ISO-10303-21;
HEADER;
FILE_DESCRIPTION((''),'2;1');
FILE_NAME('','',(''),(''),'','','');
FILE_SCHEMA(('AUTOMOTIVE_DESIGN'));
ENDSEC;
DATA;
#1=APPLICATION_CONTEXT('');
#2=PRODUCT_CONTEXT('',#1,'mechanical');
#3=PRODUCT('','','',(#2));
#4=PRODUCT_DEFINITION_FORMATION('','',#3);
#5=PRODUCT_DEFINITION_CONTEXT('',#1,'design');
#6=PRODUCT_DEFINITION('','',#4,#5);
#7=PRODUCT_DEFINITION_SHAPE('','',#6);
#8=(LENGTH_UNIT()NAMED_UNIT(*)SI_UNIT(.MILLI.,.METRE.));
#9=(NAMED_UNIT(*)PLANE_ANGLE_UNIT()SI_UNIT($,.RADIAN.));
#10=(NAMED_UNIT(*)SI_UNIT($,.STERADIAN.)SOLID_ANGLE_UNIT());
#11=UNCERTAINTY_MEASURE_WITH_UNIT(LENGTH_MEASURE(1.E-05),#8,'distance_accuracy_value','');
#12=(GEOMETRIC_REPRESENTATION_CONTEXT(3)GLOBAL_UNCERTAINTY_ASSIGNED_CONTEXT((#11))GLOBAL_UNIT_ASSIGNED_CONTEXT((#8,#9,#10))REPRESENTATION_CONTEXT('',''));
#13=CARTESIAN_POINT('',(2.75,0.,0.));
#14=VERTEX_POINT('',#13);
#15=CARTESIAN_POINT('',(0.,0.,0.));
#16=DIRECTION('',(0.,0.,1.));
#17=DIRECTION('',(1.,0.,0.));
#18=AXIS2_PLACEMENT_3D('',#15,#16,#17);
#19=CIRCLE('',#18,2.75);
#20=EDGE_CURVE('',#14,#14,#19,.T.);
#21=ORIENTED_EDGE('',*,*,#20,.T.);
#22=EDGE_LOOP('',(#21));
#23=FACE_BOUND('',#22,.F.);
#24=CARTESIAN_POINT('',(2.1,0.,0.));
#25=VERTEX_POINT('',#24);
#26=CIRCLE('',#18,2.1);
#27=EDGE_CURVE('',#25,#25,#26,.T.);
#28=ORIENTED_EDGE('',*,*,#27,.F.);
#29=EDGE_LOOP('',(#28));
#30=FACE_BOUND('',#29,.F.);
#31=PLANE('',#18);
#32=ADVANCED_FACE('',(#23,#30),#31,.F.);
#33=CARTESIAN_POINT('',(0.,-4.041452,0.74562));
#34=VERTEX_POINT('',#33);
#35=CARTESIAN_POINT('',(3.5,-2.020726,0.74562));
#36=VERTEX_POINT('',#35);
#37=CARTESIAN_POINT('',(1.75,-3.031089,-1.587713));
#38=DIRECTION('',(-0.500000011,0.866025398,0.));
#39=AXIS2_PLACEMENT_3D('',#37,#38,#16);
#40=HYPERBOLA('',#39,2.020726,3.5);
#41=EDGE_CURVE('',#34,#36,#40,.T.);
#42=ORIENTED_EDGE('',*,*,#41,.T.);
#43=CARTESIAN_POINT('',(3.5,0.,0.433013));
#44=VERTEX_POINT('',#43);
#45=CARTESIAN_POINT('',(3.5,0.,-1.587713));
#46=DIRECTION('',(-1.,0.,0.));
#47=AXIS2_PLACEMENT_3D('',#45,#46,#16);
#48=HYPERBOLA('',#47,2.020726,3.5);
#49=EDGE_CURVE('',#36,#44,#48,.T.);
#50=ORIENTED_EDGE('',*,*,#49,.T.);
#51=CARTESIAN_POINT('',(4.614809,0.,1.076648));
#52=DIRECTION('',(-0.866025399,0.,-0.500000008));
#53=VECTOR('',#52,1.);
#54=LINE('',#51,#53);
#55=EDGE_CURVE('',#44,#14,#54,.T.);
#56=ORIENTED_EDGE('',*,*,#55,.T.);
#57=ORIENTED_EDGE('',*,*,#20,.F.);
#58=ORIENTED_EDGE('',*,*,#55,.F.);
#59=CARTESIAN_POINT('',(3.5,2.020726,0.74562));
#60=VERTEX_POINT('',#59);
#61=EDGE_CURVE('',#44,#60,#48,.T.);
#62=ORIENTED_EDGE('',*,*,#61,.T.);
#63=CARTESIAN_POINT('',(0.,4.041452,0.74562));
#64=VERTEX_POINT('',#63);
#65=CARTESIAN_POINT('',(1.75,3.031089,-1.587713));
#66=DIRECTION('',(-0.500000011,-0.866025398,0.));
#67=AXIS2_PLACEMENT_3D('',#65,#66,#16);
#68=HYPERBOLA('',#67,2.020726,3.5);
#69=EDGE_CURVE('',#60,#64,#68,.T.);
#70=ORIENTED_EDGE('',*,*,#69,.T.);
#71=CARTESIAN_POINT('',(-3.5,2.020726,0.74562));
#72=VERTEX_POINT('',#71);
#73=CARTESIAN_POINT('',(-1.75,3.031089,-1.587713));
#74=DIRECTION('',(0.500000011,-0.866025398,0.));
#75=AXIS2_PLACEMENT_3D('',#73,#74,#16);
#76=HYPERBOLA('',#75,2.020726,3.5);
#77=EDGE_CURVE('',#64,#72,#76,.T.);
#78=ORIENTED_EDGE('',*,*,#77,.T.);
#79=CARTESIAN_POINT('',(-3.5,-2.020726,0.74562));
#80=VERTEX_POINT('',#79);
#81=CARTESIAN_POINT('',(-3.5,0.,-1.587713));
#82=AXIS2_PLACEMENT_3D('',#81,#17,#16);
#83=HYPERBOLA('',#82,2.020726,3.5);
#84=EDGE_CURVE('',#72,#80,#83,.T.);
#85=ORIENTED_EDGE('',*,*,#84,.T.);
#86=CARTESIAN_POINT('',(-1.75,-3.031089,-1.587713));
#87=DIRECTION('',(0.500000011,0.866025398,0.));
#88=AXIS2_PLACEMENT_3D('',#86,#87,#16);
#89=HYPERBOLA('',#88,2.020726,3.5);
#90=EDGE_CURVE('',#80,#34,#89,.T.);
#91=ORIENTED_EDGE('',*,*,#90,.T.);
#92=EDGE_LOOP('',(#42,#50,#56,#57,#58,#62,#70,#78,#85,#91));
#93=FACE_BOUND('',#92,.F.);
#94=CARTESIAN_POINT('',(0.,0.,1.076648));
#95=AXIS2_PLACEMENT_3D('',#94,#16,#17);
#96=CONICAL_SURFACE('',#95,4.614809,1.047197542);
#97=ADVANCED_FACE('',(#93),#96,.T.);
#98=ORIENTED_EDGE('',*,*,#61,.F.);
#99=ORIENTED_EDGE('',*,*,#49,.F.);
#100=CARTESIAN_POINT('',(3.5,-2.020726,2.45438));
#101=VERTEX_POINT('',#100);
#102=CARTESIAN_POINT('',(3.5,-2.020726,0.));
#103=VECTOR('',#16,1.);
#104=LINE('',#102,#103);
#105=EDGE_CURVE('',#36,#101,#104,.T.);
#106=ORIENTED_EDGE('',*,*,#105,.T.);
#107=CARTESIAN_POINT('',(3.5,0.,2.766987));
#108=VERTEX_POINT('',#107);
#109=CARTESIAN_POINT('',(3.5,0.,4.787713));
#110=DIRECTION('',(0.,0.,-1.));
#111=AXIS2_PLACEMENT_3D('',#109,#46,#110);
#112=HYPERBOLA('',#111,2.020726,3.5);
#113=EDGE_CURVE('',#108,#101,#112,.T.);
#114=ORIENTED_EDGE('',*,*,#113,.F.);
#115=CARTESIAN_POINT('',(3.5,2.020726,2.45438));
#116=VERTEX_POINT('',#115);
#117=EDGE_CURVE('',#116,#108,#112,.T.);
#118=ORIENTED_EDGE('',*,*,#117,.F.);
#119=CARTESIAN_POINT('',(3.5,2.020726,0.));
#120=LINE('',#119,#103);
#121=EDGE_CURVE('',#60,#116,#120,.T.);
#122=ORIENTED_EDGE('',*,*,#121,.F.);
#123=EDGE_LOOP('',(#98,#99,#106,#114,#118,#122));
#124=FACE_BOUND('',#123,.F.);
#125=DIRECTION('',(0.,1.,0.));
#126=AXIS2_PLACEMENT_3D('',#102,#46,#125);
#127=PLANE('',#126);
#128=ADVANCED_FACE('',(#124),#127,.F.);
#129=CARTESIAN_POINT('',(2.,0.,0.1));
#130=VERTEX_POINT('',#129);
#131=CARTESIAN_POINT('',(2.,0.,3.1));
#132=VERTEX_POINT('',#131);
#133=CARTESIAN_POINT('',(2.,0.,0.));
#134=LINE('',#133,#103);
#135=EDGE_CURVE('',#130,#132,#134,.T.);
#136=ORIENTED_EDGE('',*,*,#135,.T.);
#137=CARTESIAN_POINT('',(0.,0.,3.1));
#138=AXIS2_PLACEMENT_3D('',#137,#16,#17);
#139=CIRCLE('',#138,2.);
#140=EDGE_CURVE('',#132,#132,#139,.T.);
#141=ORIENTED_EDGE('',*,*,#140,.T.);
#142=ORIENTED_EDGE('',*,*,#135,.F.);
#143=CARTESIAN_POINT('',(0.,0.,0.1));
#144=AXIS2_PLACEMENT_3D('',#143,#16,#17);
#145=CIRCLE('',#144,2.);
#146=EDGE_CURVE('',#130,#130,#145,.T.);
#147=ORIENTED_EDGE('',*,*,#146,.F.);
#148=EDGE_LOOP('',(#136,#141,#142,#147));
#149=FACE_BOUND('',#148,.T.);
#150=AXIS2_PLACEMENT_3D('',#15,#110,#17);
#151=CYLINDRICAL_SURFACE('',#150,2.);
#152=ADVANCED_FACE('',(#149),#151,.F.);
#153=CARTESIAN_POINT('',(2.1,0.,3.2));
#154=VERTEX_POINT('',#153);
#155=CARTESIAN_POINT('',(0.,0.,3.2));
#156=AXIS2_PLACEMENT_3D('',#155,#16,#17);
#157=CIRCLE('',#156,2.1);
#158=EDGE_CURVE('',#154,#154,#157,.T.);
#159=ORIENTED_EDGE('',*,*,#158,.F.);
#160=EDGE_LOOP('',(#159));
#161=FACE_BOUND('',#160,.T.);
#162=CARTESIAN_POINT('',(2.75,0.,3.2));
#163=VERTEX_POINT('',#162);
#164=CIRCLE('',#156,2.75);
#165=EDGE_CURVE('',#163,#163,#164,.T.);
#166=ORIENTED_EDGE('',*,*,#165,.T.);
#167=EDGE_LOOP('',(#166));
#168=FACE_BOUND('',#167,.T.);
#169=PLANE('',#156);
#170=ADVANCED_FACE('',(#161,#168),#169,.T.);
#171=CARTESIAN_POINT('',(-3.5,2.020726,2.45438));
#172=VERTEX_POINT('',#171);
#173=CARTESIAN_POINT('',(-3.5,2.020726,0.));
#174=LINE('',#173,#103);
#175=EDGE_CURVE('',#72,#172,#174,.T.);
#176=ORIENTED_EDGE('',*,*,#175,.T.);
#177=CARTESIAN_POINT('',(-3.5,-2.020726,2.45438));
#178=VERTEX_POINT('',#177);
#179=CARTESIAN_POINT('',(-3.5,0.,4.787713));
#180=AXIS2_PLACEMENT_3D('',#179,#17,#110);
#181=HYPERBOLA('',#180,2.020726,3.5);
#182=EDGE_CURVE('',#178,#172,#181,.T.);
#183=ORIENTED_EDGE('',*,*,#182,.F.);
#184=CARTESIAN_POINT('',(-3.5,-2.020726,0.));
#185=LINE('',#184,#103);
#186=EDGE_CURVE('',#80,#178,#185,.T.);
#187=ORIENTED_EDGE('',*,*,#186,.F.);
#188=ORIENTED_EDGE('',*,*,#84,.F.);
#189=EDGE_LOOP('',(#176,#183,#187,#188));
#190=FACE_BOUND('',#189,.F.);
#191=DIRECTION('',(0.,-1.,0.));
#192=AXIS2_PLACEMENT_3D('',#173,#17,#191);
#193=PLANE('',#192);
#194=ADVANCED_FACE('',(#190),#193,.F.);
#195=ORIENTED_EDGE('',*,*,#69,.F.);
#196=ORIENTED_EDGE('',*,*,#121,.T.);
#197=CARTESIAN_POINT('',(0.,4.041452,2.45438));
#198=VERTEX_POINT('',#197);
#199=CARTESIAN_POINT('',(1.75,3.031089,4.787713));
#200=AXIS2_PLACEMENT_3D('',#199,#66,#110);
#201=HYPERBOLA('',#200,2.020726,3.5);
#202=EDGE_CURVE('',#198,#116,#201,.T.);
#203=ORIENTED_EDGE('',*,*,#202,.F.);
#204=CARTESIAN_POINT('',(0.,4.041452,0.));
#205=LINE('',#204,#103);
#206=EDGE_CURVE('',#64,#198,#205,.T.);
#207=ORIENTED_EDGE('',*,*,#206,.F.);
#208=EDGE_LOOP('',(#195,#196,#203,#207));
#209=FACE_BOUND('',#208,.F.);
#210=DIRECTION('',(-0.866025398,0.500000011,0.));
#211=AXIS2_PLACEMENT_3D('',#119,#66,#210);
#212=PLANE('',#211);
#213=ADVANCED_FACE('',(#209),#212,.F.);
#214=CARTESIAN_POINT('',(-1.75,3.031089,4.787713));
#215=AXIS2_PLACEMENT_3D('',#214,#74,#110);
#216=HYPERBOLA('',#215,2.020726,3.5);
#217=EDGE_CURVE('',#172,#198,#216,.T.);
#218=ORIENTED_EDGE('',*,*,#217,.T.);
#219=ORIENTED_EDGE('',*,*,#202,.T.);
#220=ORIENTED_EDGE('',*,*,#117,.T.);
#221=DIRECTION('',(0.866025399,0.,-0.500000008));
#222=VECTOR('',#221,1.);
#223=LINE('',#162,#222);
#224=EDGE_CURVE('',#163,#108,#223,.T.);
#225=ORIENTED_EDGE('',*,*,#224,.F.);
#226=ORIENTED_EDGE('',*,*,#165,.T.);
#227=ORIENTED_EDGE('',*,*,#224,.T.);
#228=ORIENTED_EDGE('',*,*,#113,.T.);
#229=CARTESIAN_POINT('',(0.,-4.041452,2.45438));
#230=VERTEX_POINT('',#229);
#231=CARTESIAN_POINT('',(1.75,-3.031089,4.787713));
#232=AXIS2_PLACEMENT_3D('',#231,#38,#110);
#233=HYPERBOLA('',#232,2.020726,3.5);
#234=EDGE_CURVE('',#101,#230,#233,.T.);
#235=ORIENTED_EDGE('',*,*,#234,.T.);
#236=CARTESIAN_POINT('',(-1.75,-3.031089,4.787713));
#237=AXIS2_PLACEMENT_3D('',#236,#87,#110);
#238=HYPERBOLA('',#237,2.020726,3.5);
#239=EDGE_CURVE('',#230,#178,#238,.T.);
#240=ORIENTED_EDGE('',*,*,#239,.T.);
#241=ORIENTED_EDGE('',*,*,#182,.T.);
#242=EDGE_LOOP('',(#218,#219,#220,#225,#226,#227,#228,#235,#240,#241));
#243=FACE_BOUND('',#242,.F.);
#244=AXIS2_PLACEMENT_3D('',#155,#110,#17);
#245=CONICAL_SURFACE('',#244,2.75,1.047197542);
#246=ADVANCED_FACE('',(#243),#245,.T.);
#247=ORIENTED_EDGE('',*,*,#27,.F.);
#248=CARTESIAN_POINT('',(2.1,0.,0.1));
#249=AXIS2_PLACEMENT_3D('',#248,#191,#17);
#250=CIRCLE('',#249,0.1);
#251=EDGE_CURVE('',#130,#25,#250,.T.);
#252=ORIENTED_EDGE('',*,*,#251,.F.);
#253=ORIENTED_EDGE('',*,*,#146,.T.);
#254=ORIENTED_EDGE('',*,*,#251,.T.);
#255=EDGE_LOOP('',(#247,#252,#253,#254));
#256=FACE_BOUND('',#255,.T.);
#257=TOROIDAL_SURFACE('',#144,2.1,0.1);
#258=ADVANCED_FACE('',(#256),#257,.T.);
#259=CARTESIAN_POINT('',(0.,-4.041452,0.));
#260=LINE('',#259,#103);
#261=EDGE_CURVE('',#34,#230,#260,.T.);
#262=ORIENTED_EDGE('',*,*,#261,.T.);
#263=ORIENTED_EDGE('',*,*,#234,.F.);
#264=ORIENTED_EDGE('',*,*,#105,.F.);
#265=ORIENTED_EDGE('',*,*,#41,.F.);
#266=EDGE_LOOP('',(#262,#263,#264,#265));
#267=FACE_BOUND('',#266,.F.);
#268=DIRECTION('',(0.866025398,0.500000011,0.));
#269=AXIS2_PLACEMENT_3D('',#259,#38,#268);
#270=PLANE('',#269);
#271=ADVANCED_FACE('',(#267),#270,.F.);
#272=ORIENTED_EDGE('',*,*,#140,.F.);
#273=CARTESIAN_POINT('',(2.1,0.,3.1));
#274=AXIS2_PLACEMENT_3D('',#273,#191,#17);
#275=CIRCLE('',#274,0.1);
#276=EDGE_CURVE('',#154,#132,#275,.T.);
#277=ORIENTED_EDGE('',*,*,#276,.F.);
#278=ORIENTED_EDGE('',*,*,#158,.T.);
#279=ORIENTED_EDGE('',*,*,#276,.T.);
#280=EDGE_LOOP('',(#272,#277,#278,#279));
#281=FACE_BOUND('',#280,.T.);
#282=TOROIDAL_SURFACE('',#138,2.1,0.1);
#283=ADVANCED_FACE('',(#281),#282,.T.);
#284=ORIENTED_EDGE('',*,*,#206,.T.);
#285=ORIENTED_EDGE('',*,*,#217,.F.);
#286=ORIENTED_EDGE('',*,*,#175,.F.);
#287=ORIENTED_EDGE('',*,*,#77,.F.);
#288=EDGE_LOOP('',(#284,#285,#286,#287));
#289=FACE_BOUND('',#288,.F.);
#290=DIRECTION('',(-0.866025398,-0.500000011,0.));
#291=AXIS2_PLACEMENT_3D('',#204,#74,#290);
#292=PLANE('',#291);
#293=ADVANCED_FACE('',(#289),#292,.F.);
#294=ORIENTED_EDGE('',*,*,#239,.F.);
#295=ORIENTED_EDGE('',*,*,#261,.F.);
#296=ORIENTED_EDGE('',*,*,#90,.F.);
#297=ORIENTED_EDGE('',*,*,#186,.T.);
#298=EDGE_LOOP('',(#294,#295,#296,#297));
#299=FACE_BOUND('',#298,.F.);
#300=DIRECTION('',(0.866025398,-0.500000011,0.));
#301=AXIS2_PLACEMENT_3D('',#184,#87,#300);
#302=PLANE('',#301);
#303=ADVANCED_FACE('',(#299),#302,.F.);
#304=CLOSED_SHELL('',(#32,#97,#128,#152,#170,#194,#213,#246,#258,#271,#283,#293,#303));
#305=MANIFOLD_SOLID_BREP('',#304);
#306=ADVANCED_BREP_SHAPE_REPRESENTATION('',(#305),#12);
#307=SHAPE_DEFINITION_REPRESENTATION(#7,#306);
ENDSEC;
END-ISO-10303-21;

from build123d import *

# Parameters (mm, degrees)
F0_R     = 2
F1_DEPTH = 3.2
F4_R     = 0.1
F5_R     = 0.1


with BuildPart() as f1:
    # F0 (on Top) → F1 (new body)
    with BuildSketch(Plane.XY):
        Polygon((-3.5, -2.020726), (0, -4.041452), (3.5, -2.020726), (3.5, 2.020726), (0, 4.041452), (-3.5, 2.020726), align=None)
        Circle(F0_R, mode=Mode.SUBTRACT)
    extrude(amount=F1_DEPTH)

    # F2 (on Front) → F3 (revolve, cut)
    with BuildSketch(Plane.XZ):
        Polygon((4.614809, 3.2), (3.5, 3.2), (4.614809, 2.556365), align=None)
        Polygon((4.614809, 2.556365), (3.5, 3.2), (2.75, 3.2), (4.614809, 2.123352), align=None)
        Polygon((5.364809, 3.2), (4.614809, 3.2), (4.614809, 2.556365), (5.364809, 2.123352), align=None)
        Polygon((4.614809, 0.643635), (3.5, 0), (4.614809, 0), align=None)
        Polygon((2.75, 0), (3.5, 0), (4.614809, 0.643635), (4.614809, 1.076648), align=None)
        Polygon((4.614809, 0.643635), (4.614809, 0), (5.364809, 0), (5.364809, 1.076648), align=None)
    revolve(axis=Axis((0, 0, 1.6), (0, 0, 1)), mode=Mode.SUBTRACT)

    # F4
    f4_edges = [f1.edges().sort_by_distance(p)[0] for p in [
        (-2, 0, 3.2),
    ]]
    fillet(f4_edges, radius=F4_R)

    # F5
    f5_edges = [f1.edges().sort_by_distance(p)[0] for p in [
        (-2, 0, 0),
    ]]
    fillet(f5_edges, radius=F5_R)


solid = f1.part
